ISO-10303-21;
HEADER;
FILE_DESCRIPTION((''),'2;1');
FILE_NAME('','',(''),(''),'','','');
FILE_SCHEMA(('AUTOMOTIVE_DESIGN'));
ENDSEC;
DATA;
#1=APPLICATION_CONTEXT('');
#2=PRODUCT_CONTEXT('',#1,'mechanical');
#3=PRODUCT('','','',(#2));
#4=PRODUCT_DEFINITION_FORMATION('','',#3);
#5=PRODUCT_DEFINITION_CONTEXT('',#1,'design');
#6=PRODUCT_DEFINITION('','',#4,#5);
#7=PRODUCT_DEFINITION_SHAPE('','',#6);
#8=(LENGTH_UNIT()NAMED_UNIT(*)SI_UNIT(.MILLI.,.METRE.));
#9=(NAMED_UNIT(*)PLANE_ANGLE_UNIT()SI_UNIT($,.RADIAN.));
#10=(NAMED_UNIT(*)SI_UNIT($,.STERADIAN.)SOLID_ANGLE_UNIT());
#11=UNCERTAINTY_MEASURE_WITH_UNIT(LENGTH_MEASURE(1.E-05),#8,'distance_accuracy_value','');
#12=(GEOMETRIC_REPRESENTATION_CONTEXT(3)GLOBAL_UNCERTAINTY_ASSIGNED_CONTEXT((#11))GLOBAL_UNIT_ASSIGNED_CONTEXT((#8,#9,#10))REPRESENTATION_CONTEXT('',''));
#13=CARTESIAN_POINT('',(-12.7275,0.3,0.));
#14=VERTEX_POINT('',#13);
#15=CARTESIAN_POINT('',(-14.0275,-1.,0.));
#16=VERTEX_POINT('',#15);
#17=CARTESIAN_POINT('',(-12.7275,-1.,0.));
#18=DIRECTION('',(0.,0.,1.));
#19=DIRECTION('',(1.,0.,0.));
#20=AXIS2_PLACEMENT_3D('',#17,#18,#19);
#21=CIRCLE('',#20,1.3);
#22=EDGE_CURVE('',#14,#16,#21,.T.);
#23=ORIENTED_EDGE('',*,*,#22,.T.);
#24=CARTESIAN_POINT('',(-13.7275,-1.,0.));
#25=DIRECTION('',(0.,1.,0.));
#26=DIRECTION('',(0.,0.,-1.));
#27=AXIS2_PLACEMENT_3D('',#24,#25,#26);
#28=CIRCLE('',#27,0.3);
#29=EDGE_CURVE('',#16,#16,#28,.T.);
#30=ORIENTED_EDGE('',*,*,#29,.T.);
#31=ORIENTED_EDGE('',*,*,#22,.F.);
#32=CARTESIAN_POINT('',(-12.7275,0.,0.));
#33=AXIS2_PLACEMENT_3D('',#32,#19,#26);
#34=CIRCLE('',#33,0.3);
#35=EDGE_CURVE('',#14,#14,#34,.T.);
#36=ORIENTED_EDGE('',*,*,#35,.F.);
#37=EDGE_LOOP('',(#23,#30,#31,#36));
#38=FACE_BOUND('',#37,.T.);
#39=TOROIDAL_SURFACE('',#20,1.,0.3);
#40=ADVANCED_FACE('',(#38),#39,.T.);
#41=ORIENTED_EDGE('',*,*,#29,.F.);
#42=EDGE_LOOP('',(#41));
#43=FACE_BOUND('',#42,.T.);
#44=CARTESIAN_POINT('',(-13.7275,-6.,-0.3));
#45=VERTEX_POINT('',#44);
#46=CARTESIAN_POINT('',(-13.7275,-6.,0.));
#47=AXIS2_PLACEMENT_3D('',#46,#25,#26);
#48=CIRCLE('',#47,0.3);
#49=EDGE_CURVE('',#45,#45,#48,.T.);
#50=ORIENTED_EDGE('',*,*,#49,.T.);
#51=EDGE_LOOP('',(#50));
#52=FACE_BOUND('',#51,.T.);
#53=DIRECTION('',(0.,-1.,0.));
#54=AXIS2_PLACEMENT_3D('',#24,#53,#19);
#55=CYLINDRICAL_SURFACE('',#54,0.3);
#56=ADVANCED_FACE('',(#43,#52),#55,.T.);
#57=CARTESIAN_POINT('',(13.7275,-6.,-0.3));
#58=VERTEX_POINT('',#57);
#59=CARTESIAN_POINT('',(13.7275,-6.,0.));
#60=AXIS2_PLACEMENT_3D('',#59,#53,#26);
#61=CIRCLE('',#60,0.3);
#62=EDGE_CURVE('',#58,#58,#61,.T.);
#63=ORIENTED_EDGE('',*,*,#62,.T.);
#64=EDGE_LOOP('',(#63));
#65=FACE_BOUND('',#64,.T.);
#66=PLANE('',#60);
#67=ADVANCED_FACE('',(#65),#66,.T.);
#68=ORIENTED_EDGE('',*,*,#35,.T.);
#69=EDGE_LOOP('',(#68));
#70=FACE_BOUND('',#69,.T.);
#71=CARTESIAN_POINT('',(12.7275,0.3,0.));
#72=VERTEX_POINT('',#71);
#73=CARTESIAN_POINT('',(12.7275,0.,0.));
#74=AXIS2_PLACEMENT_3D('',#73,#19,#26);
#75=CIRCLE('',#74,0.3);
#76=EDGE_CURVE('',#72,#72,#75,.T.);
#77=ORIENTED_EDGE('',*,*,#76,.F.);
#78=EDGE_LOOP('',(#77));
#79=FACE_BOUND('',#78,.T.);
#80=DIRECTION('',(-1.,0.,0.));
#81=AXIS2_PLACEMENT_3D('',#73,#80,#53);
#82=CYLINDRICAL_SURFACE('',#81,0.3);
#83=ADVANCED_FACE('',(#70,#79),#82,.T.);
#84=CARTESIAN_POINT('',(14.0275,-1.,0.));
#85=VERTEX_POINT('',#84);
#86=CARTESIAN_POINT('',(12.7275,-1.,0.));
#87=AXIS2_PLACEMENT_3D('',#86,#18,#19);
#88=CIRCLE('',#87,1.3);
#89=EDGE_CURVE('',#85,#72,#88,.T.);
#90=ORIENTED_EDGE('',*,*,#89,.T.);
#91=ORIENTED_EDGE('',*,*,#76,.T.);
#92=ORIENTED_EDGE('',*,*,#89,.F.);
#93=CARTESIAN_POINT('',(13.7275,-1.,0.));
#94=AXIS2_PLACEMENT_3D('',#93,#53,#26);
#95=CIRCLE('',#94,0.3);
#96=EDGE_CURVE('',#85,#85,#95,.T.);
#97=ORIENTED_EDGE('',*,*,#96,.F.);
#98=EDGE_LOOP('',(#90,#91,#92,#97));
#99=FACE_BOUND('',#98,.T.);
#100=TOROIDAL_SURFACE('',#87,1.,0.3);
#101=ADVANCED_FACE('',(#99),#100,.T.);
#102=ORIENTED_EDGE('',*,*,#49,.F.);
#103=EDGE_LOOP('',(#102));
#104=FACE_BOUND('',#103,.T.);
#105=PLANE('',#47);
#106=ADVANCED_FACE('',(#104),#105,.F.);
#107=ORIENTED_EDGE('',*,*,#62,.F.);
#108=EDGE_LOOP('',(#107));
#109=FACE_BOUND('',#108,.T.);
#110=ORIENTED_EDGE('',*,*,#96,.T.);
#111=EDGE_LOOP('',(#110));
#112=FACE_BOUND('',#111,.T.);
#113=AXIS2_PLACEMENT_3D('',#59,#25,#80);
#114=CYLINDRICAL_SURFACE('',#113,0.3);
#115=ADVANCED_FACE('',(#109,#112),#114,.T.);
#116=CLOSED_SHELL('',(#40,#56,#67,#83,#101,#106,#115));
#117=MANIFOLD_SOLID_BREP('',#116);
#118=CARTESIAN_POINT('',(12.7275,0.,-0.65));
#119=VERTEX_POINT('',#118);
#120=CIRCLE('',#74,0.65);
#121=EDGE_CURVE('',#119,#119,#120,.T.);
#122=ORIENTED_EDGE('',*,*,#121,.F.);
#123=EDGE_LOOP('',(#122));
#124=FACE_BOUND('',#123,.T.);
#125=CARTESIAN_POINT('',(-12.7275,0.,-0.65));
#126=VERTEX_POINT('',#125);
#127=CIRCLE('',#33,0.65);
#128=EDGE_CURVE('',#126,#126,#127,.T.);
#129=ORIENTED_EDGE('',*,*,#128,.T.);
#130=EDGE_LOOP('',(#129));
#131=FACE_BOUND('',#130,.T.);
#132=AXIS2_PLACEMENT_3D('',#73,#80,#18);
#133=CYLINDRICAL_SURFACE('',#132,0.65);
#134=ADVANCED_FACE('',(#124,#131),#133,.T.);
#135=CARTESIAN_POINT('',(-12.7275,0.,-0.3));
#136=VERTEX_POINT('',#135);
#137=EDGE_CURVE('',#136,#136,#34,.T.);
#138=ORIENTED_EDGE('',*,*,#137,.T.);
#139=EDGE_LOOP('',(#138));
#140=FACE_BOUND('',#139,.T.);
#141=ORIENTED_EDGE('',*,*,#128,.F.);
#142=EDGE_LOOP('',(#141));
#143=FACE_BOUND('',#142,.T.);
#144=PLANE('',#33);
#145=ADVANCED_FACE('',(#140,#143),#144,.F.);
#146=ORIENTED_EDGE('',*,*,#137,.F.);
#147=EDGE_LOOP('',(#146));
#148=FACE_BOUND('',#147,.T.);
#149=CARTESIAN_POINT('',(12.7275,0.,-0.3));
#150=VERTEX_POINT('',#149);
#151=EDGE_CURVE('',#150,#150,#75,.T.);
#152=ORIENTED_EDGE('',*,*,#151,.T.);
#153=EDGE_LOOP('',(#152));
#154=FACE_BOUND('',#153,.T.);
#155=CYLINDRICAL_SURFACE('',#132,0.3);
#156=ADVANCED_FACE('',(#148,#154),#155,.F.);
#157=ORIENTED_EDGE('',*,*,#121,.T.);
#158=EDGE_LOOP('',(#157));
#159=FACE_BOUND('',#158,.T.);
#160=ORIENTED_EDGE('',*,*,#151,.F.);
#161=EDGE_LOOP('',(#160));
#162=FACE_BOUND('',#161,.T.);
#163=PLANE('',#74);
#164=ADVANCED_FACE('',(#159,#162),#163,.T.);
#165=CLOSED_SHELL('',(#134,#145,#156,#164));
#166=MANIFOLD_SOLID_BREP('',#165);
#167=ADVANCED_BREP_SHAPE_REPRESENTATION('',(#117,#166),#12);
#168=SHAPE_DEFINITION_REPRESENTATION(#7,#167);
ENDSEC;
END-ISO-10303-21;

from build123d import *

# Parameters (mm, degrees)
SKETCH2_R                = 0.3
SKETCH3_R                = 0.65
SKETCH3_R_2              = 0.3
BOSS_EXTRUDE1_DEPTH      = 12.7275
BOSS_EXTRUDE1_DEPTH_BACK = 12.7275


with BuildPart() as part:
    # Sweep1: sweep along a path in Sketch1
    with BuildLine(Plane.XY) as sweep1_path:
        Line((-13.7275, -6), (-13.7275, -1))
        ThreePointArc((-13.7275, -1), (-13.434606781, -0.292893219), (-12.7275, 0))
        Line((-12.7275, 0), (12.7275, 0))
        ThreePointArc((12.7275, 0), (13.434606781, -0.292893219), (13.7275, -1))
        Line((13.7275, -1), (13.7275, -6))
    # Sketch2 → Sweep1 (sweep)
    with BuildSketch(Plane(origin=(0, 0, 0), x_dir=(0, 0, -1), z_dir=(1, 0, 0))):
        Circle(SKETCH2_R)
    sweep(path=sweep1_path.line)


with BuildPart() as body_2:
    # Sketch3 → Boss-Extrude1 (new body, two sides)
    with BuildSketch(Plane(origin=(0, 0, 0), x_dir=(0, 0, -1), z_dir=(1, 0, 0))) as boss_extrude1_sk:
        Circle(SKETCH3_R)
        Circle(SKETCH3_R_2, mode=Mode.SUBTRACT)
    extrude(amount=BOSS_EXTRUDE1_DEPTH)
    extrude(boss_extrude1_sk.sketch, amount=-BOSS_EXTRUDE1_DEPTH_BACK)


solid = Compound([part.part, body_2.part])
